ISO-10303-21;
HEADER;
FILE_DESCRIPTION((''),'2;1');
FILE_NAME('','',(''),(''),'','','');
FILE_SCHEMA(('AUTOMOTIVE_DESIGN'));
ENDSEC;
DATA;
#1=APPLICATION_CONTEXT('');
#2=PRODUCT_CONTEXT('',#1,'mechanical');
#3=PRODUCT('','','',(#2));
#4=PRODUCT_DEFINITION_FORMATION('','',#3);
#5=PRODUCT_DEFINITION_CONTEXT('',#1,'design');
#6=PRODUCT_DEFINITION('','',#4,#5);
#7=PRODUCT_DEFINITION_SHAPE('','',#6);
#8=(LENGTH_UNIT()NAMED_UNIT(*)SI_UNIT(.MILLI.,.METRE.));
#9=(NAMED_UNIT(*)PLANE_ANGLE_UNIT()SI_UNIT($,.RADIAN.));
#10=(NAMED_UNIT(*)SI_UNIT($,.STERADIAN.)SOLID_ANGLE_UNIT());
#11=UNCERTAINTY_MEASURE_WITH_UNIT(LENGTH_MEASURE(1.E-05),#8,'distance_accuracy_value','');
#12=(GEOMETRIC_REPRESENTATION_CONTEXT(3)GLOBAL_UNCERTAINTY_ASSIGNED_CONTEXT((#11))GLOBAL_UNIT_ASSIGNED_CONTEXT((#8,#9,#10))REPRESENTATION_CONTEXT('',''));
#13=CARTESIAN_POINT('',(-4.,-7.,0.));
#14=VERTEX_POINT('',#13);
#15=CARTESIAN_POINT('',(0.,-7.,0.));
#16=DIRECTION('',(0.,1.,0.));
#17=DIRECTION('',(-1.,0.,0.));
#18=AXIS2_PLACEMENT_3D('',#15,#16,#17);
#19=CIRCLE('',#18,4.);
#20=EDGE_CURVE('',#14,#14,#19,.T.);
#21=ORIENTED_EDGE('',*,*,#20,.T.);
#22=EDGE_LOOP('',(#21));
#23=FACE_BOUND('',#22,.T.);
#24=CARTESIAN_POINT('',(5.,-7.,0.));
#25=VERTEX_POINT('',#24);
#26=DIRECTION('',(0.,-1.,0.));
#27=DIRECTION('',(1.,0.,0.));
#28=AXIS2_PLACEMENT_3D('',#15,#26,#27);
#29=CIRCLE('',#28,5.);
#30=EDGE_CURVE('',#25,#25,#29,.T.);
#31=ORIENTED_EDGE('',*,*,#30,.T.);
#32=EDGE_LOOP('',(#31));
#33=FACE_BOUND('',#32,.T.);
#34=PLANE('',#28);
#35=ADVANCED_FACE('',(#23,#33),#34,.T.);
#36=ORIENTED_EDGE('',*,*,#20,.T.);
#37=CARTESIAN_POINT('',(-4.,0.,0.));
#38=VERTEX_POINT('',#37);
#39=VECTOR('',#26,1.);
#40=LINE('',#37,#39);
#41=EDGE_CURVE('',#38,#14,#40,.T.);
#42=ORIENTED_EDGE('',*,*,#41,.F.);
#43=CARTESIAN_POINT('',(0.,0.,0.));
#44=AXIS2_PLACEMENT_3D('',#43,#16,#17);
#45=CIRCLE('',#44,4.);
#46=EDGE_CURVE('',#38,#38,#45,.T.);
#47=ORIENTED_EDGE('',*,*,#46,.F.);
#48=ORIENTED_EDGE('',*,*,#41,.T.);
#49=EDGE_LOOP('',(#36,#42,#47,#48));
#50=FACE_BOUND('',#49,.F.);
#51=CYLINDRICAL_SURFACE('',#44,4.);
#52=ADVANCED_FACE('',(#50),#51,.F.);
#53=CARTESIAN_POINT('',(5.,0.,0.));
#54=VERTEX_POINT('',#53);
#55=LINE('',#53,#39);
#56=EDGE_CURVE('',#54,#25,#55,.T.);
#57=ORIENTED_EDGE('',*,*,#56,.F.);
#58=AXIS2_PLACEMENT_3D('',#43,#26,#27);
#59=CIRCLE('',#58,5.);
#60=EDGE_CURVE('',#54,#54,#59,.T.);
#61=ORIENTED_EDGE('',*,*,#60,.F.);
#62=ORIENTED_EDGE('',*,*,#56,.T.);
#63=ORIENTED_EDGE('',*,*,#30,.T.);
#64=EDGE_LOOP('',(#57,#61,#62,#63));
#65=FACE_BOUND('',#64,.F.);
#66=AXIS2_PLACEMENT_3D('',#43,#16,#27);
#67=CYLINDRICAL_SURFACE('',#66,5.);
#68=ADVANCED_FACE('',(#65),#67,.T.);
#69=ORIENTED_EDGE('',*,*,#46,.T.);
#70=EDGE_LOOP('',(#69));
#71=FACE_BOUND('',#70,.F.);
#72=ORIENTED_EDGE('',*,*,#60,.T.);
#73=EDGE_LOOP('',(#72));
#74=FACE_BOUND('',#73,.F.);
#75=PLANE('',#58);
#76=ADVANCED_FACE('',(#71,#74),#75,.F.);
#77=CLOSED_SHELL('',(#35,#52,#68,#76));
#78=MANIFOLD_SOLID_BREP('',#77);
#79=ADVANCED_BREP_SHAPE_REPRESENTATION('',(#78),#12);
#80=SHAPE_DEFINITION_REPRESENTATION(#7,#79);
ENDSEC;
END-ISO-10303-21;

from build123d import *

# Parameters (mm, degrees)
F1_DEPTH = 7


with BuildPart() as f1:
    # F0 (on Front) → F1 (new body)
    with BuildSketch(Plane.XZ):
        with BuildLine():
            ThreePointArc((-5, 0), (0, -5), (5, 0))
            ThreePointArc((5, 0), (0, 5), (-5, 0))
        make_face()
        with BuildLine():
            ThreePointArc((4, 0), (0, -4), (-4, 0))
            ThreePointArc((-4, 0), (0, 4), (4, 0))
        make_face(mode=Mode.SUBTRACT)
    extrude(amount=F1_DEPTH)


solid = f1.part
